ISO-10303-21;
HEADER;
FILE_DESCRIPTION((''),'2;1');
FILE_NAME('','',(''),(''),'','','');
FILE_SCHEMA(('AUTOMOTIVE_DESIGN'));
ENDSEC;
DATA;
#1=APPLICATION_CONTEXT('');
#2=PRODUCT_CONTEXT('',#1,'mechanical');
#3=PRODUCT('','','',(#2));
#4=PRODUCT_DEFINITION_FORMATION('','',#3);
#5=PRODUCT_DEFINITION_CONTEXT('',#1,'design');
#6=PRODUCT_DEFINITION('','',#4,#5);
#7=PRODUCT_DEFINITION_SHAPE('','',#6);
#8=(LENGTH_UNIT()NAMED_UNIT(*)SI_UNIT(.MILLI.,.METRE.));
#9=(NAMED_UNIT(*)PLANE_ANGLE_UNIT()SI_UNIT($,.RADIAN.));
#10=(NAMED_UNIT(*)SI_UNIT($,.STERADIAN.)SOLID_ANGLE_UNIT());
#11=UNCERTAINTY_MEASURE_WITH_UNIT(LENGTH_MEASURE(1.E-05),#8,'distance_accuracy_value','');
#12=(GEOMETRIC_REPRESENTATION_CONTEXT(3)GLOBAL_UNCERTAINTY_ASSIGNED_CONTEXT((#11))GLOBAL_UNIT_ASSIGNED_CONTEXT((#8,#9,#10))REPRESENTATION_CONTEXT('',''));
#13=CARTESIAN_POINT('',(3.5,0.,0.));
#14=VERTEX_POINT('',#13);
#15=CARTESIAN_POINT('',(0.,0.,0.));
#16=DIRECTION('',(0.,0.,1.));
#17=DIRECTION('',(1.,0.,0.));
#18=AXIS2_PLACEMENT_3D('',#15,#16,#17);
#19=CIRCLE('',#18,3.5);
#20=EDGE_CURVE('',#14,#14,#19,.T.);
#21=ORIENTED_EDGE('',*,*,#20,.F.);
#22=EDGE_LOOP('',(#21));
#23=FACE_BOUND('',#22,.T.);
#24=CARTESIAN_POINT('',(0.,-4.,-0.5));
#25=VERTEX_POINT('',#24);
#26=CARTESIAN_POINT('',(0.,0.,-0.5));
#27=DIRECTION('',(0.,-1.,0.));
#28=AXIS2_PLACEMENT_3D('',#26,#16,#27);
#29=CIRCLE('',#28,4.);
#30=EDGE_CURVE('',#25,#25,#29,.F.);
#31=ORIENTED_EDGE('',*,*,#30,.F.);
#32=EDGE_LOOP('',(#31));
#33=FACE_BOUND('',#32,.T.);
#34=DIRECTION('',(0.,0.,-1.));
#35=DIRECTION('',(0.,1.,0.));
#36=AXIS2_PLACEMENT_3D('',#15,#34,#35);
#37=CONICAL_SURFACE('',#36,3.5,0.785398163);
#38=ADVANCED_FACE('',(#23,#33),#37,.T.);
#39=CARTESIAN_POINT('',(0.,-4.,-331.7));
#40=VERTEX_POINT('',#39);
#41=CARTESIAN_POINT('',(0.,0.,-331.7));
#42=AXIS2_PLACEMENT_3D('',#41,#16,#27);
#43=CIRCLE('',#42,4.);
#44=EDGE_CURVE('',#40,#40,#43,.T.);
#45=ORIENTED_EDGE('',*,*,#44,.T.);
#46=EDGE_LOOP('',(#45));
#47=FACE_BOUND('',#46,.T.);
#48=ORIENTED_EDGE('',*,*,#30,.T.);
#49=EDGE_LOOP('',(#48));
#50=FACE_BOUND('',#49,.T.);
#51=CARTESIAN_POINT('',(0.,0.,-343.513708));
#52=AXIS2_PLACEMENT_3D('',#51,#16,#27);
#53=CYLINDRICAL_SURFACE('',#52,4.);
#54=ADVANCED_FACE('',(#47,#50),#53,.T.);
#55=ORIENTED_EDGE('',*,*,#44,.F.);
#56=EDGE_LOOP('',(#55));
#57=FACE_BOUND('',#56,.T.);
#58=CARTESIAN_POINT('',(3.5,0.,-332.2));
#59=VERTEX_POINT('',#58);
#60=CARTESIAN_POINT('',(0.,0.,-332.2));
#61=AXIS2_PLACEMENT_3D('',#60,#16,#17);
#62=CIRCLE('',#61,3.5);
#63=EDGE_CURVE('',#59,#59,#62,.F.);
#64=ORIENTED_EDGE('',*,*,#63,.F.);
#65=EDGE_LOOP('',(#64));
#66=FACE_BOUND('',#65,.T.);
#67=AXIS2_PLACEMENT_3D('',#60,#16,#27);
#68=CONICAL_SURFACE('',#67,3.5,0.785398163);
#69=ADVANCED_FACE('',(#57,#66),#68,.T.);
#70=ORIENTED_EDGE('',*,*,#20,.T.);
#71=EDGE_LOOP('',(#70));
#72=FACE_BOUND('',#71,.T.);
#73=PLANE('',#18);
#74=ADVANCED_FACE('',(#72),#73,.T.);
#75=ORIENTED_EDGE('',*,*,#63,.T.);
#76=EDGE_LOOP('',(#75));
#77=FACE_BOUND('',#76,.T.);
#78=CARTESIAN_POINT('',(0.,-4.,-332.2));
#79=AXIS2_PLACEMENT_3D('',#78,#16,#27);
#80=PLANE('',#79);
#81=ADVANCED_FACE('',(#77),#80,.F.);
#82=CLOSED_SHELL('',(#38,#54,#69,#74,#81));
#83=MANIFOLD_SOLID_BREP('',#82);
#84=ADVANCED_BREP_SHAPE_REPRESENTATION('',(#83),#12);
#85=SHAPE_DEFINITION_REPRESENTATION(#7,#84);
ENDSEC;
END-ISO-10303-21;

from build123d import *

# Parameters (mm, degrees)
CROQUIS1_R              = 4
SALIENTE_EXTRUIR1_DEPTH = 332.2
CHAFL_N1_SIZE           = 0.5


with BuildPart() as part:
    # Croquis1 → Saliente-Extruir1 (new body)
    with BuildSketch(Plane.XY):
        Circle(CROQUIS1_R)
    extrude(amount=-SALIENTE_EXTRUIR1_DEPTH)

    # Chaflán1
    chafl_n1_edges = [part.edges().sort_by_distance(p)[0] for p in [
        (-4, 0, 0),
        (-4, 0, -332.2),
    ]]
    chamfer(chafl_n1_edges, length=CHAFL_N1_SIZE)


solid = part.part
